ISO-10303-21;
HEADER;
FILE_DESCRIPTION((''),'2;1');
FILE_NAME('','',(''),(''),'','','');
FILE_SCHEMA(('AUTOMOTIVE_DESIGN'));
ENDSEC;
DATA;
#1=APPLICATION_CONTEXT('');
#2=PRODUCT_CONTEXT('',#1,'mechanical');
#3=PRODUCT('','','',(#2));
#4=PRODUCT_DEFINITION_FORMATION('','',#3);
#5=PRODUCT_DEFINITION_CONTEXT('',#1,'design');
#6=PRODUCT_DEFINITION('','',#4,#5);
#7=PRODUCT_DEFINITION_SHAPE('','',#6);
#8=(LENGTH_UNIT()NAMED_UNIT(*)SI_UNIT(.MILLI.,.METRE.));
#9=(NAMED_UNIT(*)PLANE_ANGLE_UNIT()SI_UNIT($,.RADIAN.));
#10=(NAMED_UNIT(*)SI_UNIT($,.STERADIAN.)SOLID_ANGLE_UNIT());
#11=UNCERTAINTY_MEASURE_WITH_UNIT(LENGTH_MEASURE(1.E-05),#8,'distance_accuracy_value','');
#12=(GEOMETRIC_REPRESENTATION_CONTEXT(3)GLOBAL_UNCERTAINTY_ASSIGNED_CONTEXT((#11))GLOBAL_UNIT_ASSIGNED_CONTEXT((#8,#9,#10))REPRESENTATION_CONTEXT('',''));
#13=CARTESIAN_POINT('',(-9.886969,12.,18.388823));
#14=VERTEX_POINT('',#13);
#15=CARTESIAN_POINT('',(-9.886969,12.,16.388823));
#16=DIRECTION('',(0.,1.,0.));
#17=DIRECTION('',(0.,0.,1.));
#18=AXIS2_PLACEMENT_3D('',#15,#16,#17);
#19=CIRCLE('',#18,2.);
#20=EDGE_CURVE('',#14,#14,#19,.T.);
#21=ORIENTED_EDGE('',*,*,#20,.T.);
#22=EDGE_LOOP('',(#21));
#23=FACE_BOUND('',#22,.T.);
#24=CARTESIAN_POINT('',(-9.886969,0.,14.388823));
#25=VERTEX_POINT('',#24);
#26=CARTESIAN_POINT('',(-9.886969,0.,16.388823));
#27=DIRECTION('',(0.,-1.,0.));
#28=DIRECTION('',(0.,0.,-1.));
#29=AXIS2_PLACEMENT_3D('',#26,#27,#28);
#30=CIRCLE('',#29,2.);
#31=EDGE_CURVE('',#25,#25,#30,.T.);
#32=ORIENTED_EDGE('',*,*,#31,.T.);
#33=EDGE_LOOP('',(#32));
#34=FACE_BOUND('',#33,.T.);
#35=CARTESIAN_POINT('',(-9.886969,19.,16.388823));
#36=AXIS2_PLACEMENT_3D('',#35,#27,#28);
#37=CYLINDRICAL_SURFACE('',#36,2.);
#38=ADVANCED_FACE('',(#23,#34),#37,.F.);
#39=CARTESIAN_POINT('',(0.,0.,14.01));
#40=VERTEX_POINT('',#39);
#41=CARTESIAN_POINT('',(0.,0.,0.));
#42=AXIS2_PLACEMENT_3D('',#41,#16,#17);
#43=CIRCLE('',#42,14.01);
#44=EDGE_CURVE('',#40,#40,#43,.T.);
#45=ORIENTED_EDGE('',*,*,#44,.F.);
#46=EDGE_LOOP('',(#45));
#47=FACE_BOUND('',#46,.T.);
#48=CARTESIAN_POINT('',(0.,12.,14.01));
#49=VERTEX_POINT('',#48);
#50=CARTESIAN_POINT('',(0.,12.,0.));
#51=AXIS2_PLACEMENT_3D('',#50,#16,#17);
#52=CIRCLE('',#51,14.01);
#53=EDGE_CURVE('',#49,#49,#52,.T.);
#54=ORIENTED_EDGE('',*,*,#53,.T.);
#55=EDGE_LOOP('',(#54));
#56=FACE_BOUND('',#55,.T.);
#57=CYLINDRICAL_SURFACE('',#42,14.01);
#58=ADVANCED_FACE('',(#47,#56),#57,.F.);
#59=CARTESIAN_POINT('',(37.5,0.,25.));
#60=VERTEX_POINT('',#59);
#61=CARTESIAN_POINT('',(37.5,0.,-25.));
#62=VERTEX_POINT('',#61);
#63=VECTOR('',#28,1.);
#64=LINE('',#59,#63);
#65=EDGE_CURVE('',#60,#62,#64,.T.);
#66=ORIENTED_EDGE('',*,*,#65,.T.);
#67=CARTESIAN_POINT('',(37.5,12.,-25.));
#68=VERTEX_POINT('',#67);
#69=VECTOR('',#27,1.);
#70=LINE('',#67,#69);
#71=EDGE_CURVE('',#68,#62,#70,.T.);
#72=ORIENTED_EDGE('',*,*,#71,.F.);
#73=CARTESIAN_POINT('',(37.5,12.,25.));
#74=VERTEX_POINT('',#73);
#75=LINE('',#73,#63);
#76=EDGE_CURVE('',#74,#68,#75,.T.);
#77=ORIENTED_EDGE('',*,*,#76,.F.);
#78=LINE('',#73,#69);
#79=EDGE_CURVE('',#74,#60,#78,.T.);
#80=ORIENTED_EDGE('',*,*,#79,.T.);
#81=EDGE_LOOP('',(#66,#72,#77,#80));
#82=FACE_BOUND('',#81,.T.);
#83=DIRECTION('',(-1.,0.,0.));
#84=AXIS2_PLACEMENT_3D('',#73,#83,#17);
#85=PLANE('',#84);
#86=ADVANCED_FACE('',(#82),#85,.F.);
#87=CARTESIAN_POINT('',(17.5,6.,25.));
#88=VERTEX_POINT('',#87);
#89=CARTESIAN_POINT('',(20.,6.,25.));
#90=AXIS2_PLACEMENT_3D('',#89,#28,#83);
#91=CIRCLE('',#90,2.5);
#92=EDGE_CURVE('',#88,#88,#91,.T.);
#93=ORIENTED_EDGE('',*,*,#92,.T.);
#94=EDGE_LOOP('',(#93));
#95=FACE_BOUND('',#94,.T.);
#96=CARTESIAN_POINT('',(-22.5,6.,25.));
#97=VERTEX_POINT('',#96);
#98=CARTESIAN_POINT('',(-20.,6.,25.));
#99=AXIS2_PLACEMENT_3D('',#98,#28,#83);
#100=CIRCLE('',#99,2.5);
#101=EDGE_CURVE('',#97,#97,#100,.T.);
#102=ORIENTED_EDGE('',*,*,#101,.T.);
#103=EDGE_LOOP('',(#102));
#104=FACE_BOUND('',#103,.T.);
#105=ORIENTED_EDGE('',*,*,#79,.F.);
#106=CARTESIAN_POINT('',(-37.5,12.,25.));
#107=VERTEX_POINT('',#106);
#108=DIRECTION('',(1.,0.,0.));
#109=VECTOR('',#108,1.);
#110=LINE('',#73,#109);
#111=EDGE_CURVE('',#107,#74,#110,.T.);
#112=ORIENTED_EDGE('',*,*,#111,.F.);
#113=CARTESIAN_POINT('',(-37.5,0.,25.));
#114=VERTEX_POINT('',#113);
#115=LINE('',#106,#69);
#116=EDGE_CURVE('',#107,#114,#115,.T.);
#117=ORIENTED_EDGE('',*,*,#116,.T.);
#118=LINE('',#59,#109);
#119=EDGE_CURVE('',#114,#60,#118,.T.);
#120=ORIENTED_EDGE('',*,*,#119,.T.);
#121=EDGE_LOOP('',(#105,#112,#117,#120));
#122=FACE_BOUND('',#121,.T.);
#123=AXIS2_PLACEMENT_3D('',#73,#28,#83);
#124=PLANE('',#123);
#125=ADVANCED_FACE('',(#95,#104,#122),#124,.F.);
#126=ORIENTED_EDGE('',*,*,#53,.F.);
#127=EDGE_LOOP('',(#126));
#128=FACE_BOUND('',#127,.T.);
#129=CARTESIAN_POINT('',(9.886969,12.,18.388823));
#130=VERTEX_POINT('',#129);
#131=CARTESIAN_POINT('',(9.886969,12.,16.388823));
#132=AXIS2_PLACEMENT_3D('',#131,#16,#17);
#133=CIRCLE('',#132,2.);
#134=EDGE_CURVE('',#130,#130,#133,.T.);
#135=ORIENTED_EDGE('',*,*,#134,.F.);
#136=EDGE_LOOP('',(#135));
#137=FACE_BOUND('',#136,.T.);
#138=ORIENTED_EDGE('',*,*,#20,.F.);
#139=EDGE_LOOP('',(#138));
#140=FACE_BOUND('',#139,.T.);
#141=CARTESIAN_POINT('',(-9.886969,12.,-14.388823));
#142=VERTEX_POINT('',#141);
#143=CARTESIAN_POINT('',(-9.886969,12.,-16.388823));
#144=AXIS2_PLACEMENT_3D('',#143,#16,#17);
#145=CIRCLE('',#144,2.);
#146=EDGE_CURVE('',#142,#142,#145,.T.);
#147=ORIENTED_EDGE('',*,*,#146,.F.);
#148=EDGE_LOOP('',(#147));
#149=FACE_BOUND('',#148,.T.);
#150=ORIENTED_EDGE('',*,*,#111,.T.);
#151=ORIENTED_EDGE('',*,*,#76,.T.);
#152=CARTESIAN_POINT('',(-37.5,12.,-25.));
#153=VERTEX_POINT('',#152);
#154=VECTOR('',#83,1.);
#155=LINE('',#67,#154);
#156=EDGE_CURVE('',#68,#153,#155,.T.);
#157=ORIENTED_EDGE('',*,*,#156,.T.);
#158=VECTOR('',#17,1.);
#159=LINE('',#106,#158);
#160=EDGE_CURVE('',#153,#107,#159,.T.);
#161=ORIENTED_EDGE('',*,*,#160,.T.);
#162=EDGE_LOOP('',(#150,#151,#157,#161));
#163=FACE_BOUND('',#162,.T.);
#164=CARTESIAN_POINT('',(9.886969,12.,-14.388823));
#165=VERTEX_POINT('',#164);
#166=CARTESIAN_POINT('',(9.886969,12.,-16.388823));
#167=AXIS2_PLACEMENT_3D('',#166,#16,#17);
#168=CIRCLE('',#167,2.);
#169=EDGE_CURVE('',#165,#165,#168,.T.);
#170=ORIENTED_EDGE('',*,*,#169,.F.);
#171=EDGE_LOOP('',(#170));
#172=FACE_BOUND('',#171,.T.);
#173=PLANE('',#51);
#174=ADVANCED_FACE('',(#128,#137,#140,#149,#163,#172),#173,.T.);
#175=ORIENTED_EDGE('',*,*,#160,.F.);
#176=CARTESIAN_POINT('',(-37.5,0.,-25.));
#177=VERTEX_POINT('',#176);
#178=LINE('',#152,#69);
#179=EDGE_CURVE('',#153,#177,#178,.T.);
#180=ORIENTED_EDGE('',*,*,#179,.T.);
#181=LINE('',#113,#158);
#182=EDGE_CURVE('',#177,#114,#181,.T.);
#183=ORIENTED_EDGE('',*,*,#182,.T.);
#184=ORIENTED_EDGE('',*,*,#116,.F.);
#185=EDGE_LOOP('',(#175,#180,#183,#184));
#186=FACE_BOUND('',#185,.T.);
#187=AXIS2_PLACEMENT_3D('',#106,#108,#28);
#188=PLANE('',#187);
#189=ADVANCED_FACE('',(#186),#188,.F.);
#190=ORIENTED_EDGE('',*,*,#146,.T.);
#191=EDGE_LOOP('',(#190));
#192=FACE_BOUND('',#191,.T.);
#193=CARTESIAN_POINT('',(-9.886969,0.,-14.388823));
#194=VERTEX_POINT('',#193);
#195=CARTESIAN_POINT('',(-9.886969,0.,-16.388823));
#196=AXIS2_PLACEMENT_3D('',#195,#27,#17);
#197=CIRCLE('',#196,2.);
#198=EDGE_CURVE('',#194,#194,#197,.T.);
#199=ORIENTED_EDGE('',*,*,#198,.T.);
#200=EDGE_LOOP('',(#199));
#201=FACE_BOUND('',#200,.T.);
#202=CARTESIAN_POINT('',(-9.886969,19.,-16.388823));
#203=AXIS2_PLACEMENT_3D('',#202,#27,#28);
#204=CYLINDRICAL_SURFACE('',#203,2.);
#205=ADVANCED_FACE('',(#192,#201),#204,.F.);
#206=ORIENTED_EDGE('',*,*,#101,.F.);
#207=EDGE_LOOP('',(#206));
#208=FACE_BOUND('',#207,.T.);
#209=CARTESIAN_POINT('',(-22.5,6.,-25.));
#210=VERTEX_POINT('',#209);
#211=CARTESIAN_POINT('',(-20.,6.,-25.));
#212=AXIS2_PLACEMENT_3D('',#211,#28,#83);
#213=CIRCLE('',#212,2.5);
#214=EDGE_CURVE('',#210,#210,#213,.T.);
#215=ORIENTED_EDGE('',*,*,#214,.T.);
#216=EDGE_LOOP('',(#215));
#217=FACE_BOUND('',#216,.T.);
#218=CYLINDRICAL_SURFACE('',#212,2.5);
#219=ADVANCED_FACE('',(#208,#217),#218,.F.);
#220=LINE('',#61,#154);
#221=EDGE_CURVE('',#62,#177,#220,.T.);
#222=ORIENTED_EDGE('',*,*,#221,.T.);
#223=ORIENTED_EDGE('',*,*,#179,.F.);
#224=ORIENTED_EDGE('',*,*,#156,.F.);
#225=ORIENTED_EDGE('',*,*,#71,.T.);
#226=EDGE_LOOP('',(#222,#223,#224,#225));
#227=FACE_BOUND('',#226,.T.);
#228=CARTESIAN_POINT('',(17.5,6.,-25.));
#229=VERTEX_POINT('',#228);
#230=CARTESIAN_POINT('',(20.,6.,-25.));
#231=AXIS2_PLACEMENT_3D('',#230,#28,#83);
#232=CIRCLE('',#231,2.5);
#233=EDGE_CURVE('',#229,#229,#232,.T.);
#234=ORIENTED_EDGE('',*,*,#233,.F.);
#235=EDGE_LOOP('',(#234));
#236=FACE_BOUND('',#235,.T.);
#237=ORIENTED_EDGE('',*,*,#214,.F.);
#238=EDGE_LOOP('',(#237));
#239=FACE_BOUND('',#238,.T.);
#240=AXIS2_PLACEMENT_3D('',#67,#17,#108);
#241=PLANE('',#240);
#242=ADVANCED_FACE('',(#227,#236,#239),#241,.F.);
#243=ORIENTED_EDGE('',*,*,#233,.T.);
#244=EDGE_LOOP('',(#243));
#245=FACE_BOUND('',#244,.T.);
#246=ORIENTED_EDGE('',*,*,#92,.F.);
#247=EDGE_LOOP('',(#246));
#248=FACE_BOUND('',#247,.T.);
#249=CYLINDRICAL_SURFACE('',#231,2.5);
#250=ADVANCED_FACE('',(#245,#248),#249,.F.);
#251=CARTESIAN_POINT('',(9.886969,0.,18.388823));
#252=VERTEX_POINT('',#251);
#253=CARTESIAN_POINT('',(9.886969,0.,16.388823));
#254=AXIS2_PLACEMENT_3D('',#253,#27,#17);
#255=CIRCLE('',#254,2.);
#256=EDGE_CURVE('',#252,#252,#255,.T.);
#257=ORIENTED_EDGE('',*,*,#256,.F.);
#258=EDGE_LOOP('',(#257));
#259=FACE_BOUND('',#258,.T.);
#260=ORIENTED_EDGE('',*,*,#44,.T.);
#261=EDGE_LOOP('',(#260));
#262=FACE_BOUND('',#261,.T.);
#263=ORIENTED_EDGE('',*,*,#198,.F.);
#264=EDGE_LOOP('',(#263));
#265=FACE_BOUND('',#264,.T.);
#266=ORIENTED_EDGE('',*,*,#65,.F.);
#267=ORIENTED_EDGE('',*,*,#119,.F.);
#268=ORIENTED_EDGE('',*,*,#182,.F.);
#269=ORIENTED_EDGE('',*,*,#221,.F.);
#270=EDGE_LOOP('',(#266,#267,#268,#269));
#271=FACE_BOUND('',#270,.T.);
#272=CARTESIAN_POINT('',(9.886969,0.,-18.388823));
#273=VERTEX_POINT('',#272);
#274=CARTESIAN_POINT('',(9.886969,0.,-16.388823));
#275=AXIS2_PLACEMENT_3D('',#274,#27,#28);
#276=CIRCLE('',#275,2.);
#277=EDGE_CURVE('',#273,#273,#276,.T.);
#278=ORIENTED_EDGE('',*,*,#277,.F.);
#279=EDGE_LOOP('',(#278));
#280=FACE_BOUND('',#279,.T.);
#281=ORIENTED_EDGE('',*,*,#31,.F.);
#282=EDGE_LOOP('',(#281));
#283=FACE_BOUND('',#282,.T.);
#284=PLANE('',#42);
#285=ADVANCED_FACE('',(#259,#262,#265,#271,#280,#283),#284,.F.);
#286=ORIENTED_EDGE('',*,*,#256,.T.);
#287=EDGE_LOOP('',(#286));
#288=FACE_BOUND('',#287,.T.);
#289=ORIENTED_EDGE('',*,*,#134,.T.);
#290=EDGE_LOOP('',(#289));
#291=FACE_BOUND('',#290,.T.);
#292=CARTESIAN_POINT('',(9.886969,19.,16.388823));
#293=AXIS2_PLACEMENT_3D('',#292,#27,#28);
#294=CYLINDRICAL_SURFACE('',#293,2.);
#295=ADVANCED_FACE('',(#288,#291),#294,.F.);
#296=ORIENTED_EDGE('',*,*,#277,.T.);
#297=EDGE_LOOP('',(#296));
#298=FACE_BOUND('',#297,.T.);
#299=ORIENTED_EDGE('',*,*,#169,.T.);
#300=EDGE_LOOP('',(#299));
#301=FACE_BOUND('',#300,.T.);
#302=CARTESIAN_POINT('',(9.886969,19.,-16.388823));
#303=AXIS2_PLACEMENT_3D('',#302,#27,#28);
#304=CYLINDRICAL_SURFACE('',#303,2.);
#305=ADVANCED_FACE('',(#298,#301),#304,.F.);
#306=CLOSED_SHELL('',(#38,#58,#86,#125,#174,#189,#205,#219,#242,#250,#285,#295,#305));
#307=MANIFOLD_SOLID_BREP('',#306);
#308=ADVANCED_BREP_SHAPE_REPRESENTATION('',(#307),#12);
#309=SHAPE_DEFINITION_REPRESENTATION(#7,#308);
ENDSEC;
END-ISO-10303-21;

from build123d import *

# Parameters (mm, degrees)
SKETCH1_W           = 75
SKETCH1_H           = 50
BOSS_EXTRUDE1_DEPTH = 12
SKETCH2_R           = 14.01
CUT_EXTRUDE1_DEPTH  = 12
SKETCH9_R           = 2
CUT_EXTRUDE2_DEPTH  = 19


with BuildPart() as part:
    # Sketch1 → Boss-Extrude1 (new body)
    with BuildSketch(Plane(origin=(0, 0, 0), x_dir=(1, 0, 0), z_dir=(0, 1, 0))):
        Rectangle(SKETCH1_W, SKETCH1_H)
    extrude(amount=BOSS_EXTRUDE1_DEPTH)

    # Sketch2 → Cut-Extrude1 (cut)
    with BuildSketch(Plane(origin=(0, 12, 0), x_dir=(1, 0, 0), z_dir=(0, 1, 0))):
        with Locations(Location((0, 0, 0), (0, 0, 270))):
            Circle(SKETCH2_R)
    extrude(amount=-CUT_EXTRUDE1_DEPTH, mode=Mode.SUBTRACT)

    # Sketch9 → Cut-Extrude2 (cut)
    with BuildSketch(Plane.XZ):
        with Locations(Location((-9.886968549, 16.388822862, 0), (0, 0, 270))):
            Circle(SKETCH9_R)
        with Locations(Location((9.886968549, 16.388822862, 0), (0, 0, 90))):
            Circle(SKETCH9_R)
        with Locations(Location((-9.886968549, -16.388822862, 0), (0, 0, 90))):
            Circle(SKETCH9_R)
        with Locations(Location((9.886968549, -16.388822862, 0), (0, 0, 270))):
            Circle(SKETCH9_R)
    extrude(amount=-CUT_EXTRUDE2_DEPTH, mode=Mode.SUBTRACT)

    # Sketch11 → Ø5.0mm Dowel Hole1 (revolve, cut)
    with BuildSketch(Plane(origin=(20, 6, -25), x_dir=(0, 1, 0), z_dir=(1, 0, 0))):
        Polygon((0, 0), (0, 51.502151548), (2.5, 50), (2.5, 0), align=None)
    f_5_0mm_dowel_hole1 = revolve(axis=Axis((20, 6, -31.35), (0, 0, 1)), mode=Mode.SUBTRACT)

    # Mirror1: Ø5.0mm Dowel Hole1 across plane
    add(f_5_0mm_dowel_hole1.mirror(Plane(origin=(0, 0, 0), x_dir=(0, 0, 1), z_dir=(1, 0, 0))), mode=Mode.SUBTRACT)


solid = part.part
